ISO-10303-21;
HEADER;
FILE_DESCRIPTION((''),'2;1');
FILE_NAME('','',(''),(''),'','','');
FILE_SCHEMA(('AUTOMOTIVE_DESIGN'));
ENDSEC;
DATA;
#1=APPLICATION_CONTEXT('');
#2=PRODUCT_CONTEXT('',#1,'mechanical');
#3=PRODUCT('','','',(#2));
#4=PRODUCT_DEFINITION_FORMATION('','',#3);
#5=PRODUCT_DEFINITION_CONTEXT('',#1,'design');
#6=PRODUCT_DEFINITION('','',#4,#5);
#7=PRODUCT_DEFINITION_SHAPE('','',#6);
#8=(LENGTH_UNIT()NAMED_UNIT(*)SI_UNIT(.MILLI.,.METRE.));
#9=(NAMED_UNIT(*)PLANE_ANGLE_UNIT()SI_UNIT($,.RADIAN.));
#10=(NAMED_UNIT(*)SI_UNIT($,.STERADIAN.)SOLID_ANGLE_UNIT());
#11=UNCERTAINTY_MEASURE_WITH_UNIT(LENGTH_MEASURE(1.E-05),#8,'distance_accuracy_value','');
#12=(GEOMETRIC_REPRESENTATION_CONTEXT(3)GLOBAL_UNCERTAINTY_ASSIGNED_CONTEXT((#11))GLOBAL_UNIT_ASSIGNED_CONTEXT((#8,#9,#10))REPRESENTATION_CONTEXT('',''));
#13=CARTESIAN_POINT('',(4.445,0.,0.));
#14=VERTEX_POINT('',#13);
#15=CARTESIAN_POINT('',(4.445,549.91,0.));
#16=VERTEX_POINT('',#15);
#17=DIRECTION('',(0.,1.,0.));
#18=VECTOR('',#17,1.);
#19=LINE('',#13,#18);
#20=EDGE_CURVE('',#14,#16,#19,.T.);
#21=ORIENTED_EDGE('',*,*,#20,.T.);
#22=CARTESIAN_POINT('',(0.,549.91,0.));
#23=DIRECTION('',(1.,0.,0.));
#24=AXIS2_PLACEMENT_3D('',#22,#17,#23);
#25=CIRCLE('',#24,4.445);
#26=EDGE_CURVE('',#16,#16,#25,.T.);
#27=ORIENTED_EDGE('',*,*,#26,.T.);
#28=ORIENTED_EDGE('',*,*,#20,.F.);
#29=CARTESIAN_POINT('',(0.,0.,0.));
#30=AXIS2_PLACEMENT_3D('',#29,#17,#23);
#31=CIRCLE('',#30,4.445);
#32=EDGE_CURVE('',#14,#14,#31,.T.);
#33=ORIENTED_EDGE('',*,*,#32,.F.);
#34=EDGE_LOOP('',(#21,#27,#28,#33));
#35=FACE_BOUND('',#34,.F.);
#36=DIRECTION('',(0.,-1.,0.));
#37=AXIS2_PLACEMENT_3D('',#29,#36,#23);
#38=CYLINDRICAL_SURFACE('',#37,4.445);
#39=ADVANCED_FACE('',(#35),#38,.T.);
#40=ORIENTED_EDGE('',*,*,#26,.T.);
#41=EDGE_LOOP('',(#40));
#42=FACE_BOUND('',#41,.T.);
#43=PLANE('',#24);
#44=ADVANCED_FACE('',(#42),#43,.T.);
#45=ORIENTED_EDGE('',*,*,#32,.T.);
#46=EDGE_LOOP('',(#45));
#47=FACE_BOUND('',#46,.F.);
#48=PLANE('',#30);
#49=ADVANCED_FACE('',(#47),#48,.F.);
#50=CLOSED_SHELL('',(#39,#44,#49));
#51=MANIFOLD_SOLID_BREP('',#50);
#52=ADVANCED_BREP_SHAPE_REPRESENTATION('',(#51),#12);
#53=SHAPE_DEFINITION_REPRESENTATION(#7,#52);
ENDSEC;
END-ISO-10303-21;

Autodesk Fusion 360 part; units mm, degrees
sketch "Sketch3" plane through (0, 0, 0) normal (0, 1, 0) x (1, 0, 0)
  circle A0 centre (0, 0) radius 4.445
  dimension "d13" = 8.89
extrude "Extrude3" add sketch "Sketch3" along normal blind 549.91
equation "Diameter = 0.75 in"
equation "Delta = 0.009 in"
equation "Force = ( 400 lbforce ) / lbforce"
equation "Elastic_Modulus = ( 10000000 ksi ) / ksi"
equation "Area = PI * pow(Diameter / 2 in; 2)"
equation "Length = ( Delta * Area * Elastic_Modulus ) / Force"
